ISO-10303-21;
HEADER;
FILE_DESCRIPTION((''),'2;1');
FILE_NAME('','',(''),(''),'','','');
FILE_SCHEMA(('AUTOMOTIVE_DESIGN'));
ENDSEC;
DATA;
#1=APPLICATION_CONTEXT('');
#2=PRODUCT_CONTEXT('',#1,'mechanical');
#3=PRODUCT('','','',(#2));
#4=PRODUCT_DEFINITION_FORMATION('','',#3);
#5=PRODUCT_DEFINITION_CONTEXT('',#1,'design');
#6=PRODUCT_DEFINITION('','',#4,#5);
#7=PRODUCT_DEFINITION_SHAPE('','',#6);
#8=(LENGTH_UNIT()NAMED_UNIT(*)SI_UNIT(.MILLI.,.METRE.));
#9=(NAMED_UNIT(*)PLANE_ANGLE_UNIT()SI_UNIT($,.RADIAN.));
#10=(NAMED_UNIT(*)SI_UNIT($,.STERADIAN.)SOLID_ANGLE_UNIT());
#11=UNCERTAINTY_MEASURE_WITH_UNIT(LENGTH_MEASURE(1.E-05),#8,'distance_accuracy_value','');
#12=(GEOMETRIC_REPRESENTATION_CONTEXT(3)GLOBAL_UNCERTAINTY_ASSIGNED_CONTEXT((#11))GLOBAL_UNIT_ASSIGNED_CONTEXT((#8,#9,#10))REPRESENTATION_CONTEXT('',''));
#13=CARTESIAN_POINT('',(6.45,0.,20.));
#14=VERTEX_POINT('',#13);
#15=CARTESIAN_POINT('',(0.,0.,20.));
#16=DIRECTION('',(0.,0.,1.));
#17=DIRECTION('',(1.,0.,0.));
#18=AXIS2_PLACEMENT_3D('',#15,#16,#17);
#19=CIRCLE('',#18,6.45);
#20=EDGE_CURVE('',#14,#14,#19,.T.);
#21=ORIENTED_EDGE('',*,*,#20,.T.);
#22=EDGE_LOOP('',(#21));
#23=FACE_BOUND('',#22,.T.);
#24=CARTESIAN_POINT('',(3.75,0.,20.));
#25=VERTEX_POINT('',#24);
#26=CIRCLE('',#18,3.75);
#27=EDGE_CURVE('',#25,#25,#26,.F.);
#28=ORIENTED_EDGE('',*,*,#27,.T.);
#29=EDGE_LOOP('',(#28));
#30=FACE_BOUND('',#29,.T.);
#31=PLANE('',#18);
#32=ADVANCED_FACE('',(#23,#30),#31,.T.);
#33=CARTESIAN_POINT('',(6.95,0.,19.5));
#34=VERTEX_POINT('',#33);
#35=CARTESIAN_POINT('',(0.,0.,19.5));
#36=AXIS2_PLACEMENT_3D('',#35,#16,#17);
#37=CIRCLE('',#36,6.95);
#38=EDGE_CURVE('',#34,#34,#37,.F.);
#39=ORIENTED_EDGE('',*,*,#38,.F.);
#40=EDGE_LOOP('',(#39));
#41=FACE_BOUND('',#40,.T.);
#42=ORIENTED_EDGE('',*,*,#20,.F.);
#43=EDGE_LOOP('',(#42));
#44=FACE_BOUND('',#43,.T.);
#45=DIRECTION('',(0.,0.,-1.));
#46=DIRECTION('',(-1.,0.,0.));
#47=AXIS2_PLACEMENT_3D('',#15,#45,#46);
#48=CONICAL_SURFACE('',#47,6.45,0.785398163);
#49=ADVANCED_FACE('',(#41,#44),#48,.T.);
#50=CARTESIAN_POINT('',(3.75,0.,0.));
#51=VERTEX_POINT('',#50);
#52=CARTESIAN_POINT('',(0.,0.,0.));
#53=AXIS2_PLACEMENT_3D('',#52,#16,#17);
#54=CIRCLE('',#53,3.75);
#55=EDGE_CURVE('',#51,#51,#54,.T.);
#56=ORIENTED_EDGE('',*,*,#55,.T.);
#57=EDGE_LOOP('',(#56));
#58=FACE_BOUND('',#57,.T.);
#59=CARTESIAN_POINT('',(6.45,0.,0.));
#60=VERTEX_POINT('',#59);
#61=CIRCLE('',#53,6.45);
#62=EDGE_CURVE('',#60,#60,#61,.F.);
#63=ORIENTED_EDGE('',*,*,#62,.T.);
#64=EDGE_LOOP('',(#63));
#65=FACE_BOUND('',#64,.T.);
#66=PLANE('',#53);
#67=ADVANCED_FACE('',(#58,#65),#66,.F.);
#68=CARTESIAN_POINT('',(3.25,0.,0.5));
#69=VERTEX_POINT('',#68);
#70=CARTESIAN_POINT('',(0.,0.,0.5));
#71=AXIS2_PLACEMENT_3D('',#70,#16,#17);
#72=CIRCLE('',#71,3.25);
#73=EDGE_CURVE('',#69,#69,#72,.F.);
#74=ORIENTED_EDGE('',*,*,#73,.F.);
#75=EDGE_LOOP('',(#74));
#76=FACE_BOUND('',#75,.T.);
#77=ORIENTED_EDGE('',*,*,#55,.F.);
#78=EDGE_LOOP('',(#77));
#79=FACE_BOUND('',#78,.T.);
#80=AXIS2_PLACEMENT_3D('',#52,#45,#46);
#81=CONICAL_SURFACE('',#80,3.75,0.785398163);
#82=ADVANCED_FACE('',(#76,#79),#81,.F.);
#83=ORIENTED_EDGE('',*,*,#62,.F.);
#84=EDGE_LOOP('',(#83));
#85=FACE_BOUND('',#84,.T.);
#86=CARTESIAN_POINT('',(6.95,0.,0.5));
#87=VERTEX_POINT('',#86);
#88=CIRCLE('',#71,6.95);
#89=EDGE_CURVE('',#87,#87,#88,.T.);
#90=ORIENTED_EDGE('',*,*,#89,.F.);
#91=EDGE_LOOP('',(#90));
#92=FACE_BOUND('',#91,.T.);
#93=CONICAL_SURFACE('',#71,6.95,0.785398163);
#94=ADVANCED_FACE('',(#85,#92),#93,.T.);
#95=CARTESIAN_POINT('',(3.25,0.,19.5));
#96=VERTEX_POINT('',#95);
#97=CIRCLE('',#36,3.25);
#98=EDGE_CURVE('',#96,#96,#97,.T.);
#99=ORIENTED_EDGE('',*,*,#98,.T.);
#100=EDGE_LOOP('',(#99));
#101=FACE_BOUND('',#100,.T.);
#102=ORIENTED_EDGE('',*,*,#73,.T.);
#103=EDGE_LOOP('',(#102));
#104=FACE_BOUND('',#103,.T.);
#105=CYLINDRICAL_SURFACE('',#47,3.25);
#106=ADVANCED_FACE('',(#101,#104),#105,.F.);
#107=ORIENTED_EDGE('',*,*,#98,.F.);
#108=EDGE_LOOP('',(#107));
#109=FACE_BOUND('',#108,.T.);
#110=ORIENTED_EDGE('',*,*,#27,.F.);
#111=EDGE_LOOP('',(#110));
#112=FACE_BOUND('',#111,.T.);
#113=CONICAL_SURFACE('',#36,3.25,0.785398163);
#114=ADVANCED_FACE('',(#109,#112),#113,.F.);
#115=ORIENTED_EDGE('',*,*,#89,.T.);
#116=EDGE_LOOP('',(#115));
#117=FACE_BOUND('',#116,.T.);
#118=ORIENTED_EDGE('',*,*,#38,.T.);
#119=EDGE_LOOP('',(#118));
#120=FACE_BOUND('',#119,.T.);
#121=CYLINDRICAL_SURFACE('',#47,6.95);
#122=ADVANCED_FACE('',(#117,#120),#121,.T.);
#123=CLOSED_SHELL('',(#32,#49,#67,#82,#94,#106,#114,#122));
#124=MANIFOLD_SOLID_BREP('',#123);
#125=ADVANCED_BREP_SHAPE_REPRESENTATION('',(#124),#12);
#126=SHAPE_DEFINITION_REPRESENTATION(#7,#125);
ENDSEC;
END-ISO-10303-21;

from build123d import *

# Parameters (mm, degrees)
SKETCH_1_R      = 6.95
SKETCH_1_R_2    = 3.25
EXTRUDE_1_DEPTH = 20
CHAMFER_1_SIZE  = 0.5


with BuildPart() as part:
    # 草图1 → 凸台-拉伸1 (new body)
    with BuildSketch(Plane.XY):
        Circle(SKETCH_1_R)
        Circle(SKETCH_1_R_2, mode=Mode.SUBTRACT)
    extrude(amount=EXTRUDE_1_DEPTH)

    # 倒角1
    chamfer_1_edges = [part.edges().sort_by_distance(p)[0] for p in [
        (-6.95, 0, 0),
        (-6.95, 0, 20),
        (-3.25, 0, 0),
        (-3.25, 0, 20),
    ]]
    chamfer(chamfer_1_edges, length=CHAMFER_1_SIZE)


solid = part.part
